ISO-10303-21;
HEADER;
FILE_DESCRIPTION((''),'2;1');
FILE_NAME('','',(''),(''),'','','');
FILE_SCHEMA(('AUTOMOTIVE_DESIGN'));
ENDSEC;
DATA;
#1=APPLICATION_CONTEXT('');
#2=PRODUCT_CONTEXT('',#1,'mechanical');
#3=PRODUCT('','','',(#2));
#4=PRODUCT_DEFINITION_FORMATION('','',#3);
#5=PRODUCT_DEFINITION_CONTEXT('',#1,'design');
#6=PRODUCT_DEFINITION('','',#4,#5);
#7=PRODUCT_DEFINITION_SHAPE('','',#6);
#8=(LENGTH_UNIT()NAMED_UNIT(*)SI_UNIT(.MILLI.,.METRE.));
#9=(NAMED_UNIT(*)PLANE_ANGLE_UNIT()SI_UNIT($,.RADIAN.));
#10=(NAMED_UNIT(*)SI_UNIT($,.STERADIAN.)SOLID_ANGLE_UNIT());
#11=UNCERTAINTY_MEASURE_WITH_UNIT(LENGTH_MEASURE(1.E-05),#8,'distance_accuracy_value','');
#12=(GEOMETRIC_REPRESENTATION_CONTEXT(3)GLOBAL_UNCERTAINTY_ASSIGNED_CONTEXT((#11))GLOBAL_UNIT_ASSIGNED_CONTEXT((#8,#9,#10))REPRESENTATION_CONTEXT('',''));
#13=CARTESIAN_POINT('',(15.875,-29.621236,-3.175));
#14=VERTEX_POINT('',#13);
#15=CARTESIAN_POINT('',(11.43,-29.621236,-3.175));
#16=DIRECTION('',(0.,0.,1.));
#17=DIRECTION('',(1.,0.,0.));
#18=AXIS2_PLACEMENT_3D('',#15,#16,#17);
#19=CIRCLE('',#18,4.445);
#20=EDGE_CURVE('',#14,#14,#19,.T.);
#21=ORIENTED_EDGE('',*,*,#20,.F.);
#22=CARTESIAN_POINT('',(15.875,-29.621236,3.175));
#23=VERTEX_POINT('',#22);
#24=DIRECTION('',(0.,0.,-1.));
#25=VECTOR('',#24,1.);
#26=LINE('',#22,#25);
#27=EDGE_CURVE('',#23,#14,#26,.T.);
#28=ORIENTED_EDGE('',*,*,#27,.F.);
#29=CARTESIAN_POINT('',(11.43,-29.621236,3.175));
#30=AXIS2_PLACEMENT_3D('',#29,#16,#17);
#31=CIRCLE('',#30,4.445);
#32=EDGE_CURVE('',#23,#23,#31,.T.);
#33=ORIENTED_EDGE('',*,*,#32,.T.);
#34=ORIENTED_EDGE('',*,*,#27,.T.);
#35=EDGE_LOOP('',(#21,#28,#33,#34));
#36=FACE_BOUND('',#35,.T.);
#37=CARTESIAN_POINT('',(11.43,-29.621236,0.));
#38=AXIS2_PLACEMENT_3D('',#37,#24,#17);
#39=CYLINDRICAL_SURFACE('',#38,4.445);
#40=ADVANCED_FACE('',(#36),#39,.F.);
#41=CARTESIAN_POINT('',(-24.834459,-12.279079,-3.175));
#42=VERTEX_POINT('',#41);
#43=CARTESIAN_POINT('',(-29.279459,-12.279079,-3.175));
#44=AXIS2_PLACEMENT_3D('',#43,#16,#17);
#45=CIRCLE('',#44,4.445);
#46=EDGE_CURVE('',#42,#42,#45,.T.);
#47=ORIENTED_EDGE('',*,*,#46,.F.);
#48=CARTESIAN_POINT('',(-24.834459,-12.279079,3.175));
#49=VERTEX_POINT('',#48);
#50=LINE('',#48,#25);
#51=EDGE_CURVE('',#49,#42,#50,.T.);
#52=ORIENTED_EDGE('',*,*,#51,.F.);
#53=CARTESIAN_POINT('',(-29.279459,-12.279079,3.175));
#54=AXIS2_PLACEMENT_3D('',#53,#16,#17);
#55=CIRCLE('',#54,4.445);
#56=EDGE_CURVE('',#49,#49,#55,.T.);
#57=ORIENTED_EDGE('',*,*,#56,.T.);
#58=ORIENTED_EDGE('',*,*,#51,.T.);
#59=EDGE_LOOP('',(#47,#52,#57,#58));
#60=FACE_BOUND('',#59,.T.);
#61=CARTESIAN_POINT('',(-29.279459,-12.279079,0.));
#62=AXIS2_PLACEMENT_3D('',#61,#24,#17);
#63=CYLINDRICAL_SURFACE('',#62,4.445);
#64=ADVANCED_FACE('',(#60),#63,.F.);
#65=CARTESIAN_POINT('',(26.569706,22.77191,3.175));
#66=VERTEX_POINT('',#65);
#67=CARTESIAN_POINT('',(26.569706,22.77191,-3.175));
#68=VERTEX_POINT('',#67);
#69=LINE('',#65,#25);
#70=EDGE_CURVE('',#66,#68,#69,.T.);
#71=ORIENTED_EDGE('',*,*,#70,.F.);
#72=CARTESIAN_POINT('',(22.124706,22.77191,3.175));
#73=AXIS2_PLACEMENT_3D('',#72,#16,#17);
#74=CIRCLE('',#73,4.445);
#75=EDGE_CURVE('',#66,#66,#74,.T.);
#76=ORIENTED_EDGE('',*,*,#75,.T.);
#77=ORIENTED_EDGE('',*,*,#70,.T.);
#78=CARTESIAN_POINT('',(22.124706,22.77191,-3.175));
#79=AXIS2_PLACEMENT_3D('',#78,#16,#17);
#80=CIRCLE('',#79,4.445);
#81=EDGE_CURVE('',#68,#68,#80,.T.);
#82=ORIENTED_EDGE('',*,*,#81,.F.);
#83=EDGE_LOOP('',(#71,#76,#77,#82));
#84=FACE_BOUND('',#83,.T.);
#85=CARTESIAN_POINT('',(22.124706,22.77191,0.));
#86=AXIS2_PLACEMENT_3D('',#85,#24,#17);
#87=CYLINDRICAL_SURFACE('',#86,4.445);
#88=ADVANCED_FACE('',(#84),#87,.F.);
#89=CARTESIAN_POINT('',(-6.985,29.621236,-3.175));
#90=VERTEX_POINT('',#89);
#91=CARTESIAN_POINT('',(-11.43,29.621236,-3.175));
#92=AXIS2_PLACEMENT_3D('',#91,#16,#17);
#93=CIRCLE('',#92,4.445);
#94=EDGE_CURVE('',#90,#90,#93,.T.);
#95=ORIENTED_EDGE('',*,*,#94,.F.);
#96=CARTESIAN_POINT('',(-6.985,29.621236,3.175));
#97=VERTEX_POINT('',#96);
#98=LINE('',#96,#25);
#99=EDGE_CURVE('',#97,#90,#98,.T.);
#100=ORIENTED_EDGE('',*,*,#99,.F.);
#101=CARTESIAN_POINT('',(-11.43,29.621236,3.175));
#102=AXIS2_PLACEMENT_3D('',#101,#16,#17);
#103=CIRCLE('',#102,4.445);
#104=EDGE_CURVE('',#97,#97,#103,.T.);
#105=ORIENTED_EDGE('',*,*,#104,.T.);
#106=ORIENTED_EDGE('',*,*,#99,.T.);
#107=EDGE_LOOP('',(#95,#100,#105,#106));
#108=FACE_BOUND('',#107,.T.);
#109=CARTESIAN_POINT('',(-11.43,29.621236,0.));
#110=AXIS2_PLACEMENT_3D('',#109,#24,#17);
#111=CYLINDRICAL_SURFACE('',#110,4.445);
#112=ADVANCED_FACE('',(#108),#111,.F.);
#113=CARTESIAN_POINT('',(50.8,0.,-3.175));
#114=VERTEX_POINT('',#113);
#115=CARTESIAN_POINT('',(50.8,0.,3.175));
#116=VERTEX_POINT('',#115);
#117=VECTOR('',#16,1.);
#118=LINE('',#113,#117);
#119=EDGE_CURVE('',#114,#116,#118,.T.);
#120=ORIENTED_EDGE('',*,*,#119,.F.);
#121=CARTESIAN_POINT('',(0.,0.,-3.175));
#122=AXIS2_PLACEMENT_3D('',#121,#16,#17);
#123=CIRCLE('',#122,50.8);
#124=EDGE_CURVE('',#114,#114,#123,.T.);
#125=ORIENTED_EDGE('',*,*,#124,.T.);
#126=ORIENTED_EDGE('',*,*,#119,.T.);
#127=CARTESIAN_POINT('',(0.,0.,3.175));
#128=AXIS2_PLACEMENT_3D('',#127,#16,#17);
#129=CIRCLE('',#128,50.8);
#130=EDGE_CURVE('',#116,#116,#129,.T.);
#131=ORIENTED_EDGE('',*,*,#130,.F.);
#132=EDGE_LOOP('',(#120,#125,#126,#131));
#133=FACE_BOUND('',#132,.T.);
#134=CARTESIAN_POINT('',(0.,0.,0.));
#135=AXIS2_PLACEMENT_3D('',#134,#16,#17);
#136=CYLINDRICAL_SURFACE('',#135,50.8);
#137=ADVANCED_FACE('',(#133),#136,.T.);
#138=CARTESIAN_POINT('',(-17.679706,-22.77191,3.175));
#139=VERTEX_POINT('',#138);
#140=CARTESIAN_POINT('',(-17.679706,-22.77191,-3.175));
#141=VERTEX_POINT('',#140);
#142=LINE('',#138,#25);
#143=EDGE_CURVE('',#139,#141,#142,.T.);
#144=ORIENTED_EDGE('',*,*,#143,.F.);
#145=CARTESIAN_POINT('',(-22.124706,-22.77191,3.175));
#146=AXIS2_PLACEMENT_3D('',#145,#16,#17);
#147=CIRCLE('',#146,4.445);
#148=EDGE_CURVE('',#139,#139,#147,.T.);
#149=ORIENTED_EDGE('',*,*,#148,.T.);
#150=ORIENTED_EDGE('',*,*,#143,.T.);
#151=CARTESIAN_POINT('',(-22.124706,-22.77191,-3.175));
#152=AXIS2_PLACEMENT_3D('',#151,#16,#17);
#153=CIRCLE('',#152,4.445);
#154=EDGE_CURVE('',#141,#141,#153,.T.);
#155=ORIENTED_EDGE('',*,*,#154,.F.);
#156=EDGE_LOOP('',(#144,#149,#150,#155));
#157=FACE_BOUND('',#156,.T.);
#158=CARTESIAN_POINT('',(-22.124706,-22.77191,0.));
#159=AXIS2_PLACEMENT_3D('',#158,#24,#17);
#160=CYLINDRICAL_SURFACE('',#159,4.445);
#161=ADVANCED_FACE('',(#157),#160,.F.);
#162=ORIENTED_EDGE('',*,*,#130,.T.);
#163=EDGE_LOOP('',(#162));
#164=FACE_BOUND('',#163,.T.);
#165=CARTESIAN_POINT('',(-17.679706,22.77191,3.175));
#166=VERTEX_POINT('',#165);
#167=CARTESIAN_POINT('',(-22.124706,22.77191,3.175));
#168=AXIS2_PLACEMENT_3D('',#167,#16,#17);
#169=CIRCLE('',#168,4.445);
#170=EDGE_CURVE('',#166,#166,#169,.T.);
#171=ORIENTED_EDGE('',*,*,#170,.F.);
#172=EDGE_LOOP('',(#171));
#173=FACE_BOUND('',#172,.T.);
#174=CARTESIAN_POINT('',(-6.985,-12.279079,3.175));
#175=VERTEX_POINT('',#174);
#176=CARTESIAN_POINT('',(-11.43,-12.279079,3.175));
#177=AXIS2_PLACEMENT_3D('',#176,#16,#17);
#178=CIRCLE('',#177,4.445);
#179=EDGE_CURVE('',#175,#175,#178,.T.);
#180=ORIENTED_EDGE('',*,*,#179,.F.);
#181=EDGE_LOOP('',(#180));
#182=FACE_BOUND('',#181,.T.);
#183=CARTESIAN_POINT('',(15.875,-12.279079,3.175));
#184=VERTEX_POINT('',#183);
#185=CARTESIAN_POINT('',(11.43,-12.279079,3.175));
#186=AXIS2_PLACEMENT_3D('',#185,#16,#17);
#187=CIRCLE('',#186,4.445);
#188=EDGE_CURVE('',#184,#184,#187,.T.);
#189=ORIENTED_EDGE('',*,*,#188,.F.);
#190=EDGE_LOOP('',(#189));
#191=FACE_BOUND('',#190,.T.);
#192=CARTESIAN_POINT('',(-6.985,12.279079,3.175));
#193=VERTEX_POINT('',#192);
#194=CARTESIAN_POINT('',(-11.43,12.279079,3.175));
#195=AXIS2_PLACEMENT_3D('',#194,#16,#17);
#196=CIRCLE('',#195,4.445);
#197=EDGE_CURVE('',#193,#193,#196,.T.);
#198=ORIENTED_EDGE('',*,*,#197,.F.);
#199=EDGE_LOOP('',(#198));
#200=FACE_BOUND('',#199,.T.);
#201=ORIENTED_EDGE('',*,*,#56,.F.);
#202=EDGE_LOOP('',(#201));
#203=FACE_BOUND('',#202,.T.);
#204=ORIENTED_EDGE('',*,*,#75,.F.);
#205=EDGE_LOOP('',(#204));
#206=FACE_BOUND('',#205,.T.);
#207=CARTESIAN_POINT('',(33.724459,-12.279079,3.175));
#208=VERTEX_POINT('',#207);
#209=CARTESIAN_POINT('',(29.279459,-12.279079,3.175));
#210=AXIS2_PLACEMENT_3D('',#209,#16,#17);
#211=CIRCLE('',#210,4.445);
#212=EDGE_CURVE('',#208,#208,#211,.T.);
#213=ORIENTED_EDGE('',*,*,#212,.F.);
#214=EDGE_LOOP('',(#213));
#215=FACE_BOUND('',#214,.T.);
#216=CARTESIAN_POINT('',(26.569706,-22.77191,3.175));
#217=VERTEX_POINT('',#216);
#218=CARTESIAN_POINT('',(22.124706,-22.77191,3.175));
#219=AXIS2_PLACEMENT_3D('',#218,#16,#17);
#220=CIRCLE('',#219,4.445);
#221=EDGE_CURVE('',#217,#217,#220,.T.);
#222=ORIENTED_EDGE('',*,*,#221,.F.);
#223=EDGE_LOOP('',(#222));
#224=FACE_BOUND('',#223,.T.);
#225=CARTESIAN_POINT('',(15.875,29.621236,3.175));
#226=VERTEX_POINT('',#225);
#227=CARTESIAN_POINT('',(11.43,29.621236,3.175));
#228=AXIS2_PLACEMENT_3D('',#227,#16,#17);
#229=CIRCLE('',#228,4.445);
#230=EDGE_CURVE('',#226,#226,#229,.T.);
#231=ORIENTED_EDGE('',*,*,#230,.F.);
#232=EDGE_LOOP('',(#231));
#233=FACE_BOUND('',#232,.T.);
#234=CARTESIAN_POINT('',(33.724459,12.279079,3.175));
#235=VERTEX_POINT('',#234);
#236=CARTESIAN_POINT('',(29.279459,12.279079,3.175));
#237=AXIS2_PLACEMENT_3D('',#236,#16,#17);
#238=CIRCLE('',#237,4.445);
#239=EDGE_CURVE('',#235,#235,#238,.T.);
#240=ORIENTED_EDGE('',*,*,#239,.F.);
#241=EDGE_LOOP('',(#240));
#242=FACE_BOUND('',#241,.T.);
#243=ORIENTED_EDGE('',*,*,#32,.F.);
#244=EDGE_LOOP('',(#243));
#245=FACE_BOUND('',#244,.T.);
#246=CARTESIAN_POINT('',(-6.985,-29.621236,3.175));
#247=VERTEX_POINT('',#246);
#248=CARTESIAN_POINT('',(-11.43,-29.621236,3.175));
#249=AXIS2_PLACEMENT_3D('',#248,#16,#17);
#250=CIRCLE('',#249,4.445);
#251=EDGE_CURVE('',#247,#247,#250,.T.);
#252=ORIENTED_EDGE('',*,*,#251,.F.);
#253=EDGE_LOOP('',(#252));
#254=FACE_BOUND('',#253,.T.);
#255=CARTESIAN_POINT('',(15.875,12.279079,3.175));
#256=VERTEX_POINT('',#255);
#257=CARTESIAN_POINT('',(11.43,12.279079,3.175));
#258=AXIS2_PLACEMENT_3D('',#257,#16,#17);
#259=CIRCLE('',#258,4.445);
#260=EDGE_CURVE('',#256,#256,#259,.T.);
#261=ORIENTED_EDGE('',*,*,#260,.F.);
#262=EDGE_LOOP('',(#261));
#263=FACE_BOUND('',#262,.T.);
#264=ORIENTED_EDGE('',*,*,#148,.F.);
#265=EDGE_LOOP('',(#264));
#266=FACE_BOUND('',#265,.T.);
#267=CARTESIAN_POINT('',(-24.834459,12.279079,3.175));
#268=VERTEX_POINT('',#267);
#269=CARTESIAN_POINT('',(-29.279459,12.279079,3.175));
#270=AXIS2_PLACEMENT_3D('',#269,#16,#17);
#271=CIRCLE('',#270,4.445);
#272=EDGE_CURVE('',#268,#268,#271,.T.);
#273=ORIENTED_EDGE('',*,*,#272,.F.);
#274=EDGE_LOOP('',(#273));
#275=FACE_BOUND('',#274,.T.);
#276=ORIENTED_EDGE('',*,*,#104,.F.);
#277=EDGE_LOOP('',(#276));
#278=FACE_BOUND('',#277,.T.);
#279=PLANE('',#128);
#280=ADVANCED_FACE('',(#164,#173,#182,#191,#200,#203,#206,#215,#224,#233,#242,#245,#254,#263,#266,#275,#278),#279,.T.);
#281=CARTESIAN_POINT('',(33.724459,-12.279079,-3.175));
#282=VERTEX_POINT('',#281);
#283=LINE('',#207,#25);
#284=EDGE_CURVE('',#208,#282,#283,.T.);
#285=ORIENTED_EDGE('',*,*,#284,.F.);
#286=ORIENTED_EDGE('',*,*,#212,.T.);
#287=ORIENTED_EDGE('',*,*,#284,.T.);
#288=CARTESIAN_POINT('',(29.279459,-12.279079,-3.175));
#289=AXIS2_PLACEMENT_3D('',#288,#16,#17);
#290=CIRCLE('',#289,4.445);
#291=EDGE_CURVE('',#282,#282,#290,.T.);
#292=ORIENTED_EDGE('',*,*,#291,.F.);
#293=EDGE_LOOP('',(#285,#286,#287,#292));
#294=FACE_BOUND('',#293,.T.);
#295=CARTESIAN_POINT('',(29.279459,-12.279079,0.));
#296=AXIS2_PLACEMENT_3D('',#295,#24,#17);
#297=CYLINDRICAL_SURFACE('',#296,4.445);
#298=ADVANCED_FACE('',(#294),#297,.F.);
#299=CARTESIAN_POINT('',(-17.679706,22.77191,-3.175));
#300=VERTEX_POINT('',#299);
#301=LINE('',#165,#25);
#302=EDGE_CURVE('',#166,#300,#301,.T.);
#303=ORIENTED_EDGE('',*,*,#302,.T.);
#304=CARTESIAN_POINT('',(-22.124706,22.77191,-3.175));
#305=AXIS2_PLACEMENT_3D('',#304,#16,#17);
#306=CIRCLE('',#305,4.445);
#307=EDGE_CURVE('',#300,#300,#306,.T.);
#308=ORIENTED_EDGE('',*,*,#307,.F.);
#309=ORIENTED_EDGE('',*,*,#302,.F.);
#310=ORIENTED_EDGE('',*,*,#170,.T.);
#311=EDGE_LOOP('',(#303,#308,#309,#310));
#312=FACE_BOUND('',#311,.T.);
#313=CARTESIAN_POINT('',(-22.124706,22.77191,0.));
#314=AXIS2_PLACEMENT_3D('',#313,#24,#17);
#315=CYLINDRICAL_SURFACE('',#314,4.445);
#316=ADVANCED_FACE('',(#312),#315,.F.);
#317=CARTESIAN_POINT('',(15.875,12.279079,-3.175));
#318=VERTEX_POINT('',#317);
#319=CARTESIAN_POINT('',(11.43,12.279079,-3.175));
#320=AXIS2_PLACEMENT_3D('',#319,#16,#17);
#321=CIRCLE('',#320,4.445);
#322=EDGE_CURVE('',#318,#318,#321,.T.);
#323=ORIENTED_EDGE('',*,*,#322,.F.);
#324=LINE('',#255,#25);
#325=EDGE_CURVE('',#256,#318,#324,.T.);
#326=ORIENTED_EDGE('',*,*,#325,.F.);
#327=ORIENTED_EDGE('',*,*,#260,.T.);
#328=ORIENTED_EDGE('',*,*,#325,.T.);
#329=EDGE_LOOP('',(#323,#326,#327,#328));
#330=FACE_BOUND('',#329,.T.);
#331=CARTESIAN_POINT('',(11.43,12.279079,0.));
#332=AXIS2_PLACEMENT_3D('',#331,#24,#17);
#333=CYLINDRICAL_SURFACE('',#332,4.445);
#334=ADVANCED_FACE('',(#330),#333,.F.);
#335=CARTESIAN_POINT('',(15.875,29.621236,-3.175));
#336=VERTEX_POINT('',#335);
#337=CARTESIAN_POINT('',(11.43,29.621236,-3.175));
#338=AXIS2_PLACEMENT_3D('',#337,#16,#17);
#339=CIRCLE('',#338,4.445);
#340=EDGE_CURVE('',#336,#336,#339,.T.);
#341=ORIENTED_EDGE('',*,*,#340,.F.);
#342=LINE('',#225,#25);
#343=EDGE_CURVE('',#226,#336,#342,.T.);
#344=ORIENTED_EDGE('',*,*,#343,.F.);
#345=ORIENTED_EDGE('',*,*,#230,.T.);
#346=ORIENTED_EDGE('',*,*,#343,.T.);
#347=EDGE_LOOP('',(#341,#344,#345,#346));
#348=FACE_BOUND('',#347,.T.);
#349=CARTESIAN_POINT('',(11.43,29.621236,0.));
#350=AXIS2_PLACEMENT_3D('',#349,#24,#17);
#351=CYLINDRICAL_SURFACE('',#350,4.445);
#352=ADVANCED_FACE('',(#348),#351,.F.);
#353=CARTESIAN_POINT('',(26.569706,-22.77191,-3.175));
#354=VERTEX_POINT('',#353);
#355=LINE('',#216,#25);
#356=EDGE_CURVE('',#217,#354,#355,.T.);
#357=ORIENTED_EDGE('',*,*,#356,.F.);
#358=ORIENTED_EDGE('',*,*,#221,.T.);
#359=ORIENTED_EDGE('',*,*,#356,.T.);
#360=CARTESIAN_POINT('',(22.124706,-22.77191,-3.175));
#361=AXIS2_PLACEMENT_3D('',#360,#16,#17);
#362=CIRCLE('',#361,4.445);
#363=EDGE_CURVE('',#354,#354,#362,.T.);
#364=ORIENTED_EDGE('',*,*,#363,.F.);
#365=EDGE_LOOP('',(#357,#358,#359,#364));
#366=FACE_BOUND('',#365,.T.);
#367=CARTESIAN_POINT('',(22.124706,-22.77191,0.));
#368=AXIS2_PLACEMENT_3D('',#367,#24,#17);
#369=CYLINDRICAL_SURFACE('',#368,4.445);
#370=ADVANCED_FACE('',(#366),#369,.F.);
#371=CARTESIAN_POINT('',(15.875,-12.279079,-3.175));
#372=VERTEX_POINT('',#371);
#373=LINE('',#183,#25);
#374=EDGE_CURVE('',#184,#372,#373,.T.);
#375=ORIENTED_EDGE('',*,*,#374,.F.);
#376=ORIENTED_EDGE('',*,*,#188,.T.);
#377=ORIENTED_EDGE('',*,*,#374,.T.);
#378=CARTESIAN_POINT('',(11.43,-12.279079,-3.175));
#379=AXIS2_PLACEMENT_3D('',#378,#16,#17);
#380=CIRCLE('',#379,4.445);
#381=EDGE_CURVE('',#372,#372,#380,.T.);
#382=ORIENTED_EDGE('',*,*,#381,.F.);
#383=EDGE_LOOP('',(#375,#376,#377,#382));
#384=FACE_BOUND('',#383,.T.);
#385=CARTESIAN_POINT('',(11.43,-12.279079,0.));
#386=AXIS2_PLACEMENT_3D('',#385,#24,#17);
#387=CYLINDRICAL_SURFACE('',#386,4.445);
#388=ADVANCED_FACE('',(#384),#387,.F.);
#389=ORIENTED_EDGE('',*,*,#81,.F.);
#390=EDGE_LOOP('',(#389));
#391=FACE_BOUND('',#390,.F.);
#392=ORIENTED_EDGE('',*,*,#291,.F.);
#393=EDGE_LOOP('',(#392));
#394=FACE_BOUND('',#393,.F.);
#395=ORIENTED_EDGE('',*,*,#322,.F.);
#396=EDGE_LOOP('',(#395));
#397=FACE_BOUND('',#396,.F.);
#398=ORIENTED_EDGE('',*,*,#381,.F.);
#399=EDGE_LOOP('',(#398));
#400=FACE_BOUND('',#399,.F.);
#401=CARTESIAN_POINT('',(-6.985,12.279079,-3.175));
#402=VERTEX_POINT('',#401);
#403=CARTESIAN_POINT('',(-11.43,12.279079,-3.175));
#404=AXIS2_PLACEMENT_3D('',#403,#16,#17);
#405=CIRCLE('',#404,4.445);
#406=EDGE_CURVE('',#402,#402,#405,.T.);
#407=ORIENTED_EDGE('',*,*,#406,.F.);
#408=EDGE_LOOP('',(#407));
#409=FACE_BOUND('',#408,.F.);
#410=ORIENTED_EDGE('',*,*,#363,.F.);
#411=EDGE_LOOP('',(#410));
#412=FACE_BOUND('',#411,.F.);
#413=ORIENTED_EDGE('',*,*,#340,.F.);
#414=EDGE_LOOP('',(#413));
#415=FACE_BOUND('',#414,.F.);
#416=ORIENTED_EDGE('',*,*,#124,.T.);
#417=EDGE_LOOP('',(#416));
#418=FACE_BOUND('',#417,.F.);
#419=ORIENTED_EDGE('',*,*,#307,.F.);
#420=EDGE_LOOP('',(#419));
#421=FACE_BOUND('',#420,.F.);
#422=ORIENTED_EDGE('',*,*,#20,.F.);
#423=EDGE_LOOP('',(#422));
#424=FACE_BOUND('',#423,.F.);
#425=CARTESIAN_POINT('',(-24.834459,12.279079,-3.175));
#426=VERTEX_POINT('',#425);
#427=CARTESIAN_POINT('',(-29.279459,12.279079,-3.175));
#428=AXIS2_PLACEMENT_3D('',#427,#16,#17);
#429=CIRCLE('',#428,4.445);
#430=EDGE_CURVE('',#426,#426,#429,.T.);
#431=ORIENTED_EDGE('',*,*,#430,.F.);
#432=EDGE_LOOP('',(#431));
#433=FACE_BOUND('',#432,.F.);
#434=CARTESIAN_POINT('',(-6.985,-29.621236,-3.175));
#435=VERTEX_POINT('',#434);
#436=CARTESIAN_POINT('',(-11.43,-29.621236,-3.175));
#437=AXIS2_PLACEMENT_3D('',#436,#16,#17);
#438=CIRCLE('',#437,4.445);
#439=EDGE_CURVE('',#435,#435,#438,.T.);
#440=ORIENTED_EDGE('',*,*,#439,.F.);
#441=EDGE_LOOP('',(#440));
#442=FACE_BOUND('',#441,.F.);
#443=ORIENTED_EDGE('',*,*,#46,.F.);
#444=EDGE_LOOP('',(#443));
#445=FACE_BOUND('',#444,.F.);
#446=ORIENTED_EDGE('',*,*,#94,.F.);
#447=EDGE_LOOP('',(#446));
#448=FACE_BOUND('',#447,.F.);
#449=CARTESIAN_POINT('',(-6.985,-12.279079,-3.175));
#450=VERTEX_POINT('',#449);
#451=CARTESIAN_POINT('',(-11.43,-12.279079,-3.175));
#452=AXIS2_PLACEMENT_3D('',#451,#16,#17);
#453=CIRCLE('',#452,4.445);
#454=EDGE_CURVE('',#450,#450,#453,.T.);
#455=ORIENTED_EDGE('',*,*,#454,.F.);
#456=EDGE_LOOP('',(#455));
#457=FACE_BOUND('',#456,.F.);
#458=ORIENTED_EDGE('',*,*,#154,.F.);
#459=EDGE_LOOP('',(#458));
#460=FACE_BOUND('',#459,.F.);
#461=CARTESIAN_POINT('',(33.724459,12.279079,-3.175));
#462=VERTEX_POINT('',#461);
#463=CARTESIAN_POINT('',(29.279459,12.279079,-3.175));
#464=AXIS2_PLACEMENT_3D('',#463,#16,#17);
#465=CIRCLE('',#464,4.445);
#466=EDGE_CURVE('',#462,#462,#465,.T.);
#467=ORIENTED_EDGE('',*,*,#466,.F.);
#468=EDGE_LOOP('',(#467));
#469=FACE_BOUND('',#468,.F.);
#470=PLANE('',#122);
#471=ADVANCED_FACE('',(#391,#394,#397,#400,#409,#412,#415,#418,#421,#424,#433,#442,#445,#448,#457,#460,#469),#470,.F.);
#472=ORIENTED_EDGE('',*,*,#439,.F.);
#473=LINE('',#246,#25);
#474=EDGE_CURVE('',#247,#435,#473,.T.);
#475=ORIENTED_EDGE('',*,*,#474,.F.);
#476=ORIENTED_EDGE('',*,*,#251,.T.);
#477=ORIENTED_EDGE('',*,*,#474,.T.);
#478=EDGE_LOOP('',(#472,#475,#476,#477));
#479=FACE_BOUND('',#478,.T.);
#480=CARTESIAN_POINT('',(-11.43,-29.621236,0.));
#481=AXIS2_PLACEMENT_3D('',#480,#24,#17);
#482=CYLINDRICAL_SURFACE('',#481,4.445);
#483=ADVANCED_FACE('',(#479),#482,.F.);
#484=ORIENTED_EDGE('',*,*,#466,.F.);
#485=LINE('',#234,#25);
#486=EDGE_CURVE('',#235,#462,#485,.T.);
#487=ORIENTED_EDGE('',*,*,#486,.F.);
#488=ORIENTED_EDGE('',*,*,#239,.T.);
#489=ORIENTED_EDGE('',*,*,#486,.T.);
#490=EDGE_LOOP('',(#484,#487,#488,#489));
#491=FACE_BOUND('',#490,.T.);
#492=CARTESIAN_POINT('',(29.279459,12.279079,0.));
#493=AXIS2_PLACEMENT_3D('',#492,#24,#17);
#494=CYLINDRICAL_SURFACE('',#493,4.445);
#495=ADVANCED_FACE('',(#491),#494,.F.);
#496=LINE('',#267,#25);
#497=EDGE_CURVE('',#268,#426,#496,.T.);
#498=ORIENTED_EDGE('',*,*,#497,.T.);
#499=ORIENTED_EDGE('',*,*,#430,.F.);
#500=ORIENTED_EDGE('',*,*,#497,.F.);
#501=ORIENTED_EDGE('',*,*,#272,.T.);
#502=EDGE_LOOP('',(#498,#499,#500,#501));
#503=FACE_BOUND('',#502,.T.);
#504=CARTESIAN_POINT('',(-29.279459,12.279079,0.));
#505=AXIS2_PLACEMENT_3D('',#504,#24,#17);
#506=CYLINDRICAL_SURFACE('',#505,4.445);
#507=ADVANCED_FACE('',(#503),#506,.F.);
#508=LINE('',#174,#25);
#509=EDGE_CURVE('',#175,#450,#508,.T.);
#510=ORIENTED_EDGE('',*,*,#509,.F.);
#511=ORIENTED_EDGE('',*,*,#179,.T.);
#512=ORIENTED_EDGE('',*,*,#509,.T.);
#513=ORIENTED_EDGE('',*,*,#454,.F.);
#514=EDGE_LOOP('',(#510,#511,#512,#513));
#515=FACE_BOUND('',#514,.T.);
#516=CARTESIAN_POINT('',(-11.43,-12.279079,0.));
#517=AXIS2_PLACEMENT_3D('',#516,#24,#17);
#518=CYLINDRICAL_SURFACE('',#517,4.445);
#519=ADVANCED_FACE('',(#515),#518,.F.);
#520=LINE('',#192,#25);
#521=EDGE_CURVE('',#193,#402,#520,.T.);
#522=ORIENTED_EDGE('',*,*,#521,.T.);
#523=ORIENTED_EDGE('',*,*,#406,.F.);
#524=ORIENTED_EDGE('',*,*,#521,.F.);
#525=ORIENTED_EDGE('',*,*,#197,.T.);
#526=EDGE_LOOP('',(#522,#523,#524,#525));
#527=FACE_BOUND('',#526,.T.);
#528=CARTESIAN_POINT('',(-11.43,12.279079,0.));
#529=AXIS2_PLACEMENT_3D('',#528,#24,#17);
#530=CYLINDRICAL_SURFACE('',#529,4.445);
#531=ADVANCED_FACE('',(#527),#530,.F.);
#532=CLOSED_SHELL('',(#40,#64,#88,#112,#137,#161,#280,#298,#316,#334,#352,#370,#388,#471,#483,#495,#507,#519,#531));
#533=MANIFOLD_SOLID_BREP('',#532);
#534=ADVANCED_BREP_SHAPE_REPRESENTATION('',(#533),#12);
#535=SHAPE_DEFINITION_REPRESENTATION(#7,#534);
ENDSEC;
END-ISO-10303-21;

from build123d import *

# Parameters (mm, degrees)
F0_R     = 50.8
F0_R_2   = 4.445
F1_DEPTH = 3.175


with BuildPart() as f1:
    # F0 (on Top) → F1 (new body, symmetric)
    with BuildSketch(Plane.XY):
        Circle(F0_R)
        with Locations((-11.43, -29.621236)):
            Circle(F0_R_2, mode=Mode.SUBTRACT)
        with Locations((-29.279459, -12.279079)):
            Circle(F0_R_2, mode=Mode.SUBTRACT)
        with Locations((-22.124706, -22.77191)):
            Circle(F0_R_2, mode=Mode.SUBTRACT)
        with Locations((-11.43, -12.279079)):
            Circle(F0_R_2, mode=Mode.SUBTRACT)
        with Locations((11.43, -29.621236)):
            Circle(F0_R_2, mode=Mode.SUBTRACT)
        with Locations((22.124706, -22.77191)):
            Circle(F0_R_2, mode=Mode.SUBTRACT)
        with Locations((11.43, -12.279079)):
            Circle(F0_R_2, mode=Mode.SUBTRACT)
        with Locations((29.279459, -12.279079)):
            Circle(F0_R_2, mode=Mode.SUBTRACT)
        with Locations((-29.279459, 12.279079)):
            Circle(F0_R_2, mode=Mode.SUBTRACT)
        with Locations((-11.43, 12.279079)):
            Circle(F0_R_2, mode=Mode.SUBTRACT)
        with Locations((-22.124706, 22.77191)):
            Circle(F0_R_2, mode=Mode.SUBTRACT)
        with Locations((-11.43, 29.621236)):
            Circle(F0_R_2, mode=Mode.SUBTRACT)
        with Locations((11.43, 12.279079)):
            Circle(F0_R_2, mode=Mode.SUBTRACT)
        with Locations((22.124706, 22.77191)):
            Circle(F0_R_2, mode=Mode.SUBTRACT)
        with Locations((29.279459, 12.279079)):
            Circle(F0_R_2, mode=Mode.SUBTRACT)
        with Locations((11.43, 29.621236)):
            Circle(F0_R_2, mode=Mode.SUBTRACT)
    extrude(amount=F1_DEPTH, both=True)


solid = f1.part
